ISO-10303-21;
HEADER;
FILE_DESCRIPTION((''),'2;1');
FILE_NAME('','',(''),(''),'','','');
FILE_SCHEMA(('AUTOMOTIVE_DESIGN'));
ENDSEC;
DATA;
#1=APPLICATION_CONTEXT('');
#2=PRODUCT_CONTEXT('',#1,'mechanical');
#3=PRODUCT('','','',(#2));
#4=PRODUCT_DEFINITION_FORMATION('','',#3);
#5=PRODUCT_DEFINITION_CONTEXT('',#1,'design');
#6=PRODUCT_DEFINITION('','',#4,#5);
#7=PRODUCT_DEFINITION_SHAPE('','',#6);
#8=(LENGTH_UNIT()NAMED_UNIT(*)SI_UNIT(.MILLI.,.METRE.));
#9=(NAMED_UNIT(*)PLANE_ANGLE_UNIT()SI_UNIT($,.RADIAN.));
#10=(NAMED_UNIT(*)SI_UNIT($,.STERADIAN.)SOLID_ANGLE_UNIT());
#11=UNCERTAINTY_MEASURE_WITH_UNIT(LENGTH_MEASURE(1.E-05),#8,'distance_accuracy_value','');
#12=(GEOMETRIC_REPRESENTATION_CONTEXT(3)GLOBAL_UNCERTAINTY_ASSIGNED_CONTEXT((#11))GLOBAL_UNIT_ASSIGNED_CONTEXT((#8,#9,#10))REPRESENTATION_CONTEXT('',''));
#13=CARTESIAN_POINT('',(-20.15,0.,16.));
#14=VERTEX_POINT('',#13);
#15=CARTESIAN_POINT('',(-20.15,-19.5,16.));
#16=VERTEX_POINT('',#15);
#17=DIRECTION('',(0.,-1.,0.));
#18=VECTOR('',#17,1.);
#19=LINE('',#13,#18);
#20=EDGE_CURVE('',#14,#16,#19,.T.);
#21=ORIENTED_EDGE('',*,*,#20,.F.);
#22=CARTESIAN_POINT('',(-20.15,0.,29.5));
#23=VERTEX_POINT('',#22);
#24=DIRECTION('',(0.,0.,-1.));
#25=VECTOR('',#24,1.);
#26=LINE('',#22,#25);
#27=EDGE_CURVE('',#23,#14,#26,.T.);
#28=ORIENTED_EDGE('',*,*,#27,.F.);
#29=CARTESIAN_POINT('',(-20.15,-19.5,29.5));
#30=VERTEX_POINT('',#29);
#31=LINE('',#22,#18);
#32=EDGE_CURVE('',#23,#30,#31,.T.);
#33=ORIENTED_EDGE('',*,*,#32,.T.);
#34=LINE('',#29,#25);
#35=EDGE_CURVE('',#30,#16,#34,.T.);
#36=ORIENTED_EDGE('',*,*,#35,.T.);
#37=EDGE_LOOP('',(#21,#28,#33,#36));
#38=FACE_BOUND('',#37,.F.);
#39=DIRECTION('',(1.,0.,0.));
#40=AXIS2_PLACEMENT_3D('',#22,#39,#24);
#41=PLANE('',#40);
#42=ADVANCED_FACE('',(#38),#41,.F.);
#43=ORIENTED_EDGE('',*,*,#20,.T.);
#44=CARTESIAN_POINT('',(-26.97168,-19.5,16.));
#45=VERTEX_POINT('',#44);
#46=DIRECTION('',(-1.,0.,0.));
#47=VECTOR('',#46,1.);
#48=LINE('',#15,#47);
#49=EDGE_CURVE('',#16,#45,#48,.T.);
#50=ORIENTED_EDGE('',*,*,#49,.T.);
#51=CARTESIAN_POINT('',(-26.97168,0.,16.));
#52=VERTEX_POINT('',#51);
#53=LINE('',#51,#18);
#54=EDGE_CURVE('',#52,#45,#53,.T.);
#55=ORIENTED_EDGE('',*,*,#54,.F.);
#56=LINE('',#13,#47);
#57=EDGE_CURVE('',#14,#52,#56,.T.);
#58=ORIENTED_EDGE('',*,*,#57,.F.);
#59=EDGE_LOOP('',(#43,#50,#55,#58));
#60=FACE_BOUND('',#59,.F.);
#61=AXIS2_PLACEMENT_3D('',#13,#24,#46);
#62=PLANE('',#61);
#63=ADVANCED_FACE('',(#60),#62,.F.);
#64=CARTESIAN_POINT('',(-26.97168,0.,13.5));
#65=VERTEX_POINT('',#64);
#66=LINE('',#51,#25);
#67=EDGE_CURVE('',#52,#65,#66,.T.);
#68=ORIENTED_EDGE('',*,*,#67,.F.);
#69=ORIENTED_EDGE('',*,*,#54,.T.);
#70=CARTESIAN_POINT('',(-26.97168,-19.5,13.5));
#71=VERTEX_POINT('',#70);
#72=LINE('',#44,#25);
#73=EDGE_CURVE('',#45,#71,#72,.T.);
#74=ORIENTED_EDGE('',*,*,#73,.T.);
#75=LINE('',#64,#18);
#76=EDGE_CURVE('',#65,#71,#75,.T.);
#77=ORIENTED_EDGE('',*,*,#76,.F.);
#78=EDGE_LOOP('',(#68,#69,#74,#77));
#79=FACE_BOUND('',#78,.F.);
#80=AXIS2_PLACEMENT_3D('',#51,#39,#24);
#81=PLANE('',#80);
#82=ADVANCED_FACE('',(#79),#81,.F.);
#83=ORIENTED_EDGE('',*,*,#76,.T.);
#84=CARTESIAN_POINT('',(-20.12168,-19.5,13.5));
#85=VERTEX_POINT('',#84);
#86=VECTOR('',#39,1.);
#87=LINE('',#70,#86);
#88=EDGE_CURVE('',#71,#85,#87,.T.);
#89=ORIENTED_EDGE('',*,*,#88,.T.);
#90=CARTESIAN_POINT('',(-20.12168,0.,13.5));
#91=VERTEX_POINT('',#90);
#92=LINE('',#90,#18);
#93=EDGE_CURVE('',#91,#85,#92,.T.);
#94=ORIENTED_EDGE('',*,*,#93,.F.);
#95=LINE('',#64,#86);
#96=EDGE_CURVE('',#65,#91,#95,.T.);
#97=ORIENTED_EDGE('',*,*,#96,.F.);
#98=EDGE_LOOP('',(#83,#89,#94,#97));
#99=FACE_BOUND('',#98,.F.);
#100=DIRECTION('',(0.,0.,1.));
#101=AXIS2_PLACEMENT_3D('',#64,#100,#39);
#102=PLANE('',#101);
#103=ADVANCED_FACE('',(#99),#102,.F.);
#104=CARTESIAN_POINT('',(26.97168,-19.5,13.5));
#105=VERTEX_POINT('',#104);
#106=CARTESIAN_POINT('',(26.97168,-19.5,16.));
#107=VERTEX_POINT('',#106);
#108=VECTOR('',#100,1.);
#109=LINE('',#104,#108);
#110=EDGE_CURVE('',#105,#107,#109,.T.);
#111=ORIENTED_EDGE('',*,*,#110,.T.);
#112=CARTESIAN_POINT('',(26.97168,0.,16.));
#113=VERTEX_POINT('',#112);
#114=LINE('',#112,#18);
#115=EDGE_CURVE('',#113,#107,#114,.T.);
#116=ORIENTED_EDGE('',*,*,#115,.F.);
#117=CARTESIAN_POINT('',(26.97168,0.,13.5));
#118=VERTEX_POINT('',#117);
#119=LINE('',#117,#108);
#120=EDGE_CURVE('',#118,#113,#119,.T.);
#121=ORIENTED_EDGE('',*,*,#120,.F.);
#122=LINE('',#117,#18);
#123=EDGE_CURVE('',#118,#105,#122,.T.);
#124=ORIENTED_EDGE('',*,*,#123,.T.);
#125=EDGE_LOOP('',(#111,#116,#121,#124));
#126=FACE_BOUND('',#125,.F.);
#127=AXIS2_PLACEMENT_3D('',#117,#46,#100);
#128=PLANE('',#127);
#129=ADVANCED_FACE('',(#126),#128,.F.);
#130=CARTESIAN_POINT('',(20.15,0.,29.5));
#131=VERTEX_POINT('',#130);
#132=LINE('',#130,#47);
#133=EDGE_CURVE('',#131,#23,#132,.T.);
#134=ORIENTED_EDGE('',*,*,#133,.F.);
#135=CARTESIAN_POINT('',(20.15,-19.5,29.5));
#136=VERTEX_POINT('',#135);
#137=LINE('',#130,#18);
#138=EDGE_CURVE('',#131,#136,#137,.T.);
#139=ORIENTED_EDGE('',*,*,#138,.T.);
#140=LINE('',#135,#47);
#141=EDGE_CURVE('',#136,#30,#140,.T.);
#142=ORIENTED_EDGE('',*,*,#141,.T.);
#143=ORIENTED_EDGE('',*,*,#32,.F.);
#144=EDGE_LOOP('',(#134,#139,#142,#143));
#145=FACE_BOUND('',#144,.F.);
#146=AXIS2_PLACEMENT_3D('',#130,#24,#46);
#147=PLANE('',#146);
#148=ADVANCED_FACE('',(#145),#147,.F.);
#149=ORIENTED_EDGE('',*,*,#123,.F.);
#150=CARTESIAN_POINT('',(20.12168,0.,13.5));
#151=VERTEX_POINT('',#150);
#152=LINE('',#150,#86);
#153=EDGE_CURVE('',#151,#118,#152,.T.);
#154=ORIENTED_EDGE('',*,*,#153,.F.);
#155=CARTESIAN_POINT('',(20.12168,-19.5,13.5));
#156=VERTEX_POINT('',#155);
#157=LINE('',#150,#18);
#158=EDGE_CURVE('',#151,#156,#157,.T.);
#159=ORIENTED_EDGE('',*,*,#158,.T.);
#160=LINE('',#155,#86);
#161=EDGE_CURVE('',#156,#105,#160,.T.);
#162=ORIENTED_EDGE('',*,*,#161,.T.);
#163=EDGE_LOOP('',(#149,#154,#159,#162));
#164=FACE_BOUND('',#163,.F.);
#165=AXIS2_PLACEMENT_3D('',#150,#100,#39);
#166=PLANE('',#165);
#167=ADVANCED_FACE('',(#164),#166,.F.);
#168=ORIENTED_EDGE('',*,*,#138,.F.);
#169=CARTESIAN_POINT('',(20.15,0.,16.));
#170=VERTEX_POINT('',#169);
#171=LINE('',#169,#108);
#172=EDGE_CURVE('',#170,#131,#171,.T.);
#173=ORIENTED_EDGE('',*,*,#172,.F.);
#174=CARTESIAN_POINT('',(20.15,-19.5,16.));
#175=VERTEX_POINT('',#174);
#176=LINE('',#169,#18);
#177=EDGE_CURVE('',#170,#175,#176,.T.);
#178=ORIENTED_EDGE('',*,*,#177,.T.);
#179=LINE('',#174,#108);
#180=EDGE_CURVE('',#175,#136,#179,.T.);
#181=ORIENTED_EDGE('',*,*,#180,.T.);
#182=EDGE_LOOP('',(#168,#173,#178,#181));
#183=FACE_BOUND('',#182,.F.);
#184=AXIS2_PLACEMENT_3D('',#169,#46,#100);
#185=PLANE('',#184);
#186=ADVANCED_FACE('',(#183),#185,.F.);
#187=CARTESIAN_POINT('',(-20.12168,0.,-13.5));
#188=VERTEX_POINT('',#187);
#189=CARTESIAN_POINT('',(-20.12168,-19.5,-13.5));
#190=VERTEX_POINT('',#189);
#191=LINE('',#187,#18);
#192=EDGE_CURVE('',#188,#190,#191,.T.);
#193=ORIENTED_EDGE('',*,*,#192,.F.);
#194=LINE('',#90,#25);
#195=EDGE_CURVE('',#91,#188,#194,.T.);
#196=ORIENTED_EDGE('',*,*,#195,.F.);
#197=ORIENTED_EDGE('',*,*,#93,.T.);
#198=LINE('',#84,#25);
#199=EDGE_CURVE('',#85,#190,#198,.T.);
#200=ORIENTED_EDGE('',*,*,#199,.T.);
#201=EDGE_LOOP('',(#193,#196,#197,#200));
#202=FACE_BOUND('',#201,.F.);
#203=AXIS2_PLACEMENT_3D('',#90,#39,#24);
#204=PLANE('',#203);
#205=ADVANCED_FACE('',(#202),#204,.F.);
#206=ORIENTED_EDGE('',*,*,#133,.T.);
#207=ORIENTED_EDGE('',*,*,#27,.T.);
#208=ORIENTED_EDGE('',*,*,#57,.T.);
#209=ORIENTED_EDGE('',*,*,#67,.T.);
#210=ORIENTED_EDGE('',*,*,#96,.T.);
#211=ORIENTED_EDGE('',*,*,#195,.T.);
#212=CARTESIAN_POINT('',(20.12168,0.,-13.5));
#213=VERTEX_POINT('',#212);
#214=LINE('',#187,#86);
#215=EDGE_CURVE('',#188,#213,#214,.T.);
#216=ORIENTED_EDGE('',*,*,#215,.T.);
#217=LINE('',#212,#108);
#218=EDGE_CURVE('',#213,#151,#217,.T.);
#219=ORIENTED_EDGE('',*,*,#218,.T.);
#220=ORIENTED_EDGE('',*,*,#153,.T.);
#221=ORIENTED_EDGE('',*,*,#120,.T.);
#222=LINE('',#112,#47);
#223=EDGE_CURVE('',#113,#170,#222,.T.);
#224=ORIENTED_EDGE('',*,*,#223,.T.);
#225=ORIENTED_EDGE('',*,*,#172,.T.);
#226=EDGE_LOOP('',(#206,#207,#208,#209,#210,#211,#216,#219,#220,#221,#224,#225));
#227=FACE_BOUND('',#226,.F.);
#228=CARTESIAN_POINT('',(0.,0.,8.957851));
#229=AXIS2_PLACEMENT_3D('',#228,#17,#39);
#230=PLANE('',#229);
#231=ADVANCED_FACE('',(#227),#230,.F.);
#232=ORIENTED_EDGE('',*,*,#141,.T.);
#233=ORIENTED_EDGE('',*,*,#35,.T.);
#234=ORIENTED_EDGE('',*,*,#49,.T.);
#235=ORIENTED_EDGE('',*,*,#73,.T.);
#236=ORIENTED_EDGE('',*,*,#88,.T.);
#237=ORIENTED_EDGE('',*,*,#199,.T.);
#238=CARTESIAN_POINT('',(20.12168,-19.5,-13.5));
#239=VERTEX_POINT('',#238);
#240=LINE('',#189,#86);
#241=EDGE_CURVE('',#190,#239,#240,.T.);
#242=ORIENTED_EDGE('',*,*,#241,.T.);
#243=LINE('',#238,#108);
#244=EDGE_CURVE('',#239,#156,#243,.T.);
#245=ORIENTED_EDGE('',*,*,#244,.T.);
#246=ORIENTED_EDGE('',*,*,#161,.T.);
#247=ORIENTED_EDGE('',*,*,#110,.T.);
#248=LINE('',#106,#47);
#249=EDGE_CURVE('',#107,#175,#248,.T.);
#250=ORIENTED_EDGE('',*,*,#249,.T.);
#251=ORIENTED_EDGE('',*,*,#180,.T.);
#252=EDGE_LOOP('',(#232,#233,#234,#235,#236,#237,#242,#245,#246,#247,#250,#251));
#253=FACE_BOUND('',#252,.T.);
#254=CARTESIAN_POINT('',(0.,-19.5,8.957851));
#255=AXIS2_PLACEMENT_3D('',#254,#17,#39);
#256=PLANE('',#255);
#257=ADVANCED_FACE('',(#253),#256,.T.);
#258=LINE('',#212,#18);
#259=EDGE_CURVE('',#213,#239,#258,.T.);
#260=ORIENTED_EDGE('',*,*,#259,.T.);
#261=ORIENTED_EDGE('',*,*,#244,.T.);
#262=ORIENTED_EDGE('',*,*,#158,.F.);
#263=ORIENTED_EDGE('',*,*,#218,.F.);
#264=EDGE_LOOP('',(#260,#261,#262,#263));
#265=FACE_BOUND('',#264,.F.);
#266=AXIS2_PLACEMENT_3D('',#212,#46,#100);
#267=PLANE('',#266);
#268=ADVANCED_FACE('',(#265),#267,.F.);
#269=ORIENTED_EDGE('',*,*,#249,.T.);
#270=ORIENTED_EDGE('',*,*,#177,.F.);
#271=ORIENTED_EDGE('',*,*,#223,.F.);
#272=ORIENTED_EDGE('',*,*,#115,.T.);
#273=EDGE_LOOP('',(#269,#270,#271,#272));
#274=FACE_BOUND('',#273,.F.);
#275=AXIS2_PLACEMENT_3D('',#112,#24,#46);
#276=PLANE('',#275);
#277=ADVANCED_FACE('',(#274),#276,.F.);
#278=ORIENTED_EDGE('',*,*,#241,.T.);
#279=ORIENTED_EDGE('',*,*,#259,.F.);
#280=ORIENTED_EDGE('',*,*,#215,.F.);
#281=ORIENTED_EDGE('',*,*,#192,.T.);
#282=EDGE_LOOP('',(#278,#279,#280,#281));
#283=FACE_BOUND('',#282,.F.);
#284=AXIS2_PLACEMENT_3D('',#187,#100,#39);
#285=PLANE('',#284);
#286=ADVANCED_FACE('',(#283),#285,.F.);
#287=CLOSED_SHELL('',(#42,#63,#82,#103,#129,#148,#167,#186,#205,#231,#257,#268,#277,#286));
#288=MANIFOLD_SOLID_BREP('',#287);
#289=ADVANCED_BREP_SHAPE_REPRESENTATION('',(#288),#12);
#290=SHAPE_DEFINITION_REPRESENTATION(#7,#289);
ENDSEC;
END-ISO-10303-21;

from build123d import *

# Parameters (mm, degrees)
PAD_DEPTH = 19.5


with BuildPart() as part:
    # Sketch → Pad (new body)
    with BuildSketch(Plane.XZ):
        Polygon((-20.12168, 13.5), (-20.12168, -13.5), (20.12168, -13.5), (20.12168, 13.5), (26.97168, 13.5), (26.97168, 16), (20.15, 16), (20.15, 29.5), (-20.15, 29.5), (-20.15, 16), (-26.97168, 16), (-26.97168, 13.5), align=None)
    extrude(amount=PAD_DEPTH)


solid = part.part
